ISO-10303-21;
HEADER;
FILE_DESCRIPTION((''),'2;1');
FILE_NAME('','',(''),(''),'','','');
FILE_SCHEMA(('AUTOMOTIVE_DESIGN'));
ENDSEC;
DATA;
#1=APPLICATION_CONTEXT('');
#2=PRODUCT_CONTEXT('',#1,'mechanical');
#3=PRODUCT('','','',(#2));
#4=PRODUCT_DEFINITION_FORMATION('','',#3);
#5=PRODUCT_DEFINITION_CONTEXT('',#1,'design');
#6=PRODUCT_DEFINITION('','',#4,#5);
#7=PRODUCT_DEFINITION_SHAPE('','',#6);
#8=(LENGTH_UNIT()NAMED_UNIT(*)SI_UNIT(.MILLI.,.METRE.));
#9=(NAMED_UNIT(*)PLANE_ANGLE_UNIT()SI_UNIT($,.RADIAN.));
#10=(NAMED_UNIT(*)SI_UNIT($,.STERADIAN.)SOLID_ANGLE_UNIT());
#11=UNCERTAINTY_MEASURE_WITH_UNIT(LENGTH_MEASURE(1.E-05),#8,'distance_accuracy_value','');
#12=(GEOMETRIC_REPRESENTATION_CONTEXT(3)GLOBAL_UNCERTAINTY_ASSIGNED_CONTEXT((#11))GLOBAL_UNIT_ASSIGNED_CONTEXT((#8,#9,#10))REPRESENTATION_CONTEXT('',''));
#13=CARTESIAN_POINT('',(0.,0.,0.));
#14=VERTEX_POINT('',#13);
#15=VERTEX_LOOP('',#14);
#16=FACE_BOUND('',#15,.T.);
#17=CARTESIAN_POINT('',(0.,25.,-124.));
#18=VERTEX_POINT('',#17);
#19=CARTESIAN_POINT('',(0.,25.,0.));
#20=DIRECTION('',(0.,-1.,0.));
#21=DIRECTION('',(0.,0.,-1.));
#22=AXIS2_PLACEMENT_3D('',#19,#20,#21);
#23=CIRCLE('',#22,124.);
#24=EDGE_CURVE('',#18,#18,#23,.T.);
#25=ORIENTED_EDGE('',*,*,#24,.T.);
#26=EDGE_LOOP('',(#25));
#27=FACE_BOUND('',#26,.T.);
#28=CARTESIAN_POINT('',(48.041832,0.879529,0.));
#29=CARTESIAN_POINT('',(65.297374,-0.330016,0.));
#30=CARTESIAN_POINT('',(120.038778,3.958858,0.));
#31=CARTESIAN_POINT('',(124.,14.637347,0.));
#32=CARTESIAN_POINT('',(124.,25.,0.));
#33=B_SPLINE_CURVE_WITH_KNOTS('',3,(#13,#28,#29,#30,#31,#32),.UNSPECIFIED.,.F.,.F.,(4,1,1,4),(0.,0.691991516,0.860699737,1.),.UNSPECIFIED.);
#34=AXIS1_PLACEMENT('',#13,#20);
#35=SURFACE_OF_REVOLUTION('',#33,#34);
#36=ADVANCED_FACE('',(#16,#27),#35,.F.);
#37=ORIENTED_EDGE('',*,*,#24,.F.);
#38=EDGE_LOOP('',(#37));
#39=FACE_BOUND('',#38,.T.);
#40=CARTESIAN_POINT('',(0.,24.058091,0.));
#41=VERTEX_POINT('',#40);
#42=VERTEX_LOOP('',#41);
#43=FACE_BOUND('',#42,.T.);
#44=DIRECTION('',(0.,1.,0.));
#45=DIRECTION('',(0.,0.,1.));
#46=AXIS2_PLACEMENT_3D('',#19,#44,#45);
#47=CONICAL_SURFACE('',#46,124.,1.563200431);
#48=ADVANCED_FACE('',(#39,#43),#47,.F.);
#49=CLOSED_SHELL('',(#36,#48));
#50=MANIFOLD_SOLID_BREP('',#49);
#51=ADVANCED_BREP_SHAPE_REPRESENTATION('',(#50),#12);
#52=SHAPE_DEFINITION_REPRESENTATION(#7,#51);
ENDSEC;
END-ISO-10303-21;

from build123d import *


with BuildPart() as part:
    # Sketch1 → Revolve1 (revolve)
    with BuildSketch(Plane.XY, mode=Mode.PRIVATE) as revolve1_sk:
        with BuildLine():
            Line((0, 0), (0, 24.058090867))
            Line((0, 24.058090867), (124, 25))
            add(Edge.make_bspline(
                [(0, 0), (48.041831914, 0.87952924), (65.297373683, -0.330016453), (120.038778042, 3.958857524), (124, 14.637346781), (124, 25)],
                knots=[0, 0, 0, 0, 0.691991516, 0.860699737, 1, 1, 1, 1], degree=3))
        make_face()
    revolve(revolve1_sk.sketch.rotate(Axis((0, 0, 0), (0, 1, 0)), 270), axis=Axis((0, 0, 0), (0, 1, 0)))  # turned: the seam where the file's is


solid = part.part
